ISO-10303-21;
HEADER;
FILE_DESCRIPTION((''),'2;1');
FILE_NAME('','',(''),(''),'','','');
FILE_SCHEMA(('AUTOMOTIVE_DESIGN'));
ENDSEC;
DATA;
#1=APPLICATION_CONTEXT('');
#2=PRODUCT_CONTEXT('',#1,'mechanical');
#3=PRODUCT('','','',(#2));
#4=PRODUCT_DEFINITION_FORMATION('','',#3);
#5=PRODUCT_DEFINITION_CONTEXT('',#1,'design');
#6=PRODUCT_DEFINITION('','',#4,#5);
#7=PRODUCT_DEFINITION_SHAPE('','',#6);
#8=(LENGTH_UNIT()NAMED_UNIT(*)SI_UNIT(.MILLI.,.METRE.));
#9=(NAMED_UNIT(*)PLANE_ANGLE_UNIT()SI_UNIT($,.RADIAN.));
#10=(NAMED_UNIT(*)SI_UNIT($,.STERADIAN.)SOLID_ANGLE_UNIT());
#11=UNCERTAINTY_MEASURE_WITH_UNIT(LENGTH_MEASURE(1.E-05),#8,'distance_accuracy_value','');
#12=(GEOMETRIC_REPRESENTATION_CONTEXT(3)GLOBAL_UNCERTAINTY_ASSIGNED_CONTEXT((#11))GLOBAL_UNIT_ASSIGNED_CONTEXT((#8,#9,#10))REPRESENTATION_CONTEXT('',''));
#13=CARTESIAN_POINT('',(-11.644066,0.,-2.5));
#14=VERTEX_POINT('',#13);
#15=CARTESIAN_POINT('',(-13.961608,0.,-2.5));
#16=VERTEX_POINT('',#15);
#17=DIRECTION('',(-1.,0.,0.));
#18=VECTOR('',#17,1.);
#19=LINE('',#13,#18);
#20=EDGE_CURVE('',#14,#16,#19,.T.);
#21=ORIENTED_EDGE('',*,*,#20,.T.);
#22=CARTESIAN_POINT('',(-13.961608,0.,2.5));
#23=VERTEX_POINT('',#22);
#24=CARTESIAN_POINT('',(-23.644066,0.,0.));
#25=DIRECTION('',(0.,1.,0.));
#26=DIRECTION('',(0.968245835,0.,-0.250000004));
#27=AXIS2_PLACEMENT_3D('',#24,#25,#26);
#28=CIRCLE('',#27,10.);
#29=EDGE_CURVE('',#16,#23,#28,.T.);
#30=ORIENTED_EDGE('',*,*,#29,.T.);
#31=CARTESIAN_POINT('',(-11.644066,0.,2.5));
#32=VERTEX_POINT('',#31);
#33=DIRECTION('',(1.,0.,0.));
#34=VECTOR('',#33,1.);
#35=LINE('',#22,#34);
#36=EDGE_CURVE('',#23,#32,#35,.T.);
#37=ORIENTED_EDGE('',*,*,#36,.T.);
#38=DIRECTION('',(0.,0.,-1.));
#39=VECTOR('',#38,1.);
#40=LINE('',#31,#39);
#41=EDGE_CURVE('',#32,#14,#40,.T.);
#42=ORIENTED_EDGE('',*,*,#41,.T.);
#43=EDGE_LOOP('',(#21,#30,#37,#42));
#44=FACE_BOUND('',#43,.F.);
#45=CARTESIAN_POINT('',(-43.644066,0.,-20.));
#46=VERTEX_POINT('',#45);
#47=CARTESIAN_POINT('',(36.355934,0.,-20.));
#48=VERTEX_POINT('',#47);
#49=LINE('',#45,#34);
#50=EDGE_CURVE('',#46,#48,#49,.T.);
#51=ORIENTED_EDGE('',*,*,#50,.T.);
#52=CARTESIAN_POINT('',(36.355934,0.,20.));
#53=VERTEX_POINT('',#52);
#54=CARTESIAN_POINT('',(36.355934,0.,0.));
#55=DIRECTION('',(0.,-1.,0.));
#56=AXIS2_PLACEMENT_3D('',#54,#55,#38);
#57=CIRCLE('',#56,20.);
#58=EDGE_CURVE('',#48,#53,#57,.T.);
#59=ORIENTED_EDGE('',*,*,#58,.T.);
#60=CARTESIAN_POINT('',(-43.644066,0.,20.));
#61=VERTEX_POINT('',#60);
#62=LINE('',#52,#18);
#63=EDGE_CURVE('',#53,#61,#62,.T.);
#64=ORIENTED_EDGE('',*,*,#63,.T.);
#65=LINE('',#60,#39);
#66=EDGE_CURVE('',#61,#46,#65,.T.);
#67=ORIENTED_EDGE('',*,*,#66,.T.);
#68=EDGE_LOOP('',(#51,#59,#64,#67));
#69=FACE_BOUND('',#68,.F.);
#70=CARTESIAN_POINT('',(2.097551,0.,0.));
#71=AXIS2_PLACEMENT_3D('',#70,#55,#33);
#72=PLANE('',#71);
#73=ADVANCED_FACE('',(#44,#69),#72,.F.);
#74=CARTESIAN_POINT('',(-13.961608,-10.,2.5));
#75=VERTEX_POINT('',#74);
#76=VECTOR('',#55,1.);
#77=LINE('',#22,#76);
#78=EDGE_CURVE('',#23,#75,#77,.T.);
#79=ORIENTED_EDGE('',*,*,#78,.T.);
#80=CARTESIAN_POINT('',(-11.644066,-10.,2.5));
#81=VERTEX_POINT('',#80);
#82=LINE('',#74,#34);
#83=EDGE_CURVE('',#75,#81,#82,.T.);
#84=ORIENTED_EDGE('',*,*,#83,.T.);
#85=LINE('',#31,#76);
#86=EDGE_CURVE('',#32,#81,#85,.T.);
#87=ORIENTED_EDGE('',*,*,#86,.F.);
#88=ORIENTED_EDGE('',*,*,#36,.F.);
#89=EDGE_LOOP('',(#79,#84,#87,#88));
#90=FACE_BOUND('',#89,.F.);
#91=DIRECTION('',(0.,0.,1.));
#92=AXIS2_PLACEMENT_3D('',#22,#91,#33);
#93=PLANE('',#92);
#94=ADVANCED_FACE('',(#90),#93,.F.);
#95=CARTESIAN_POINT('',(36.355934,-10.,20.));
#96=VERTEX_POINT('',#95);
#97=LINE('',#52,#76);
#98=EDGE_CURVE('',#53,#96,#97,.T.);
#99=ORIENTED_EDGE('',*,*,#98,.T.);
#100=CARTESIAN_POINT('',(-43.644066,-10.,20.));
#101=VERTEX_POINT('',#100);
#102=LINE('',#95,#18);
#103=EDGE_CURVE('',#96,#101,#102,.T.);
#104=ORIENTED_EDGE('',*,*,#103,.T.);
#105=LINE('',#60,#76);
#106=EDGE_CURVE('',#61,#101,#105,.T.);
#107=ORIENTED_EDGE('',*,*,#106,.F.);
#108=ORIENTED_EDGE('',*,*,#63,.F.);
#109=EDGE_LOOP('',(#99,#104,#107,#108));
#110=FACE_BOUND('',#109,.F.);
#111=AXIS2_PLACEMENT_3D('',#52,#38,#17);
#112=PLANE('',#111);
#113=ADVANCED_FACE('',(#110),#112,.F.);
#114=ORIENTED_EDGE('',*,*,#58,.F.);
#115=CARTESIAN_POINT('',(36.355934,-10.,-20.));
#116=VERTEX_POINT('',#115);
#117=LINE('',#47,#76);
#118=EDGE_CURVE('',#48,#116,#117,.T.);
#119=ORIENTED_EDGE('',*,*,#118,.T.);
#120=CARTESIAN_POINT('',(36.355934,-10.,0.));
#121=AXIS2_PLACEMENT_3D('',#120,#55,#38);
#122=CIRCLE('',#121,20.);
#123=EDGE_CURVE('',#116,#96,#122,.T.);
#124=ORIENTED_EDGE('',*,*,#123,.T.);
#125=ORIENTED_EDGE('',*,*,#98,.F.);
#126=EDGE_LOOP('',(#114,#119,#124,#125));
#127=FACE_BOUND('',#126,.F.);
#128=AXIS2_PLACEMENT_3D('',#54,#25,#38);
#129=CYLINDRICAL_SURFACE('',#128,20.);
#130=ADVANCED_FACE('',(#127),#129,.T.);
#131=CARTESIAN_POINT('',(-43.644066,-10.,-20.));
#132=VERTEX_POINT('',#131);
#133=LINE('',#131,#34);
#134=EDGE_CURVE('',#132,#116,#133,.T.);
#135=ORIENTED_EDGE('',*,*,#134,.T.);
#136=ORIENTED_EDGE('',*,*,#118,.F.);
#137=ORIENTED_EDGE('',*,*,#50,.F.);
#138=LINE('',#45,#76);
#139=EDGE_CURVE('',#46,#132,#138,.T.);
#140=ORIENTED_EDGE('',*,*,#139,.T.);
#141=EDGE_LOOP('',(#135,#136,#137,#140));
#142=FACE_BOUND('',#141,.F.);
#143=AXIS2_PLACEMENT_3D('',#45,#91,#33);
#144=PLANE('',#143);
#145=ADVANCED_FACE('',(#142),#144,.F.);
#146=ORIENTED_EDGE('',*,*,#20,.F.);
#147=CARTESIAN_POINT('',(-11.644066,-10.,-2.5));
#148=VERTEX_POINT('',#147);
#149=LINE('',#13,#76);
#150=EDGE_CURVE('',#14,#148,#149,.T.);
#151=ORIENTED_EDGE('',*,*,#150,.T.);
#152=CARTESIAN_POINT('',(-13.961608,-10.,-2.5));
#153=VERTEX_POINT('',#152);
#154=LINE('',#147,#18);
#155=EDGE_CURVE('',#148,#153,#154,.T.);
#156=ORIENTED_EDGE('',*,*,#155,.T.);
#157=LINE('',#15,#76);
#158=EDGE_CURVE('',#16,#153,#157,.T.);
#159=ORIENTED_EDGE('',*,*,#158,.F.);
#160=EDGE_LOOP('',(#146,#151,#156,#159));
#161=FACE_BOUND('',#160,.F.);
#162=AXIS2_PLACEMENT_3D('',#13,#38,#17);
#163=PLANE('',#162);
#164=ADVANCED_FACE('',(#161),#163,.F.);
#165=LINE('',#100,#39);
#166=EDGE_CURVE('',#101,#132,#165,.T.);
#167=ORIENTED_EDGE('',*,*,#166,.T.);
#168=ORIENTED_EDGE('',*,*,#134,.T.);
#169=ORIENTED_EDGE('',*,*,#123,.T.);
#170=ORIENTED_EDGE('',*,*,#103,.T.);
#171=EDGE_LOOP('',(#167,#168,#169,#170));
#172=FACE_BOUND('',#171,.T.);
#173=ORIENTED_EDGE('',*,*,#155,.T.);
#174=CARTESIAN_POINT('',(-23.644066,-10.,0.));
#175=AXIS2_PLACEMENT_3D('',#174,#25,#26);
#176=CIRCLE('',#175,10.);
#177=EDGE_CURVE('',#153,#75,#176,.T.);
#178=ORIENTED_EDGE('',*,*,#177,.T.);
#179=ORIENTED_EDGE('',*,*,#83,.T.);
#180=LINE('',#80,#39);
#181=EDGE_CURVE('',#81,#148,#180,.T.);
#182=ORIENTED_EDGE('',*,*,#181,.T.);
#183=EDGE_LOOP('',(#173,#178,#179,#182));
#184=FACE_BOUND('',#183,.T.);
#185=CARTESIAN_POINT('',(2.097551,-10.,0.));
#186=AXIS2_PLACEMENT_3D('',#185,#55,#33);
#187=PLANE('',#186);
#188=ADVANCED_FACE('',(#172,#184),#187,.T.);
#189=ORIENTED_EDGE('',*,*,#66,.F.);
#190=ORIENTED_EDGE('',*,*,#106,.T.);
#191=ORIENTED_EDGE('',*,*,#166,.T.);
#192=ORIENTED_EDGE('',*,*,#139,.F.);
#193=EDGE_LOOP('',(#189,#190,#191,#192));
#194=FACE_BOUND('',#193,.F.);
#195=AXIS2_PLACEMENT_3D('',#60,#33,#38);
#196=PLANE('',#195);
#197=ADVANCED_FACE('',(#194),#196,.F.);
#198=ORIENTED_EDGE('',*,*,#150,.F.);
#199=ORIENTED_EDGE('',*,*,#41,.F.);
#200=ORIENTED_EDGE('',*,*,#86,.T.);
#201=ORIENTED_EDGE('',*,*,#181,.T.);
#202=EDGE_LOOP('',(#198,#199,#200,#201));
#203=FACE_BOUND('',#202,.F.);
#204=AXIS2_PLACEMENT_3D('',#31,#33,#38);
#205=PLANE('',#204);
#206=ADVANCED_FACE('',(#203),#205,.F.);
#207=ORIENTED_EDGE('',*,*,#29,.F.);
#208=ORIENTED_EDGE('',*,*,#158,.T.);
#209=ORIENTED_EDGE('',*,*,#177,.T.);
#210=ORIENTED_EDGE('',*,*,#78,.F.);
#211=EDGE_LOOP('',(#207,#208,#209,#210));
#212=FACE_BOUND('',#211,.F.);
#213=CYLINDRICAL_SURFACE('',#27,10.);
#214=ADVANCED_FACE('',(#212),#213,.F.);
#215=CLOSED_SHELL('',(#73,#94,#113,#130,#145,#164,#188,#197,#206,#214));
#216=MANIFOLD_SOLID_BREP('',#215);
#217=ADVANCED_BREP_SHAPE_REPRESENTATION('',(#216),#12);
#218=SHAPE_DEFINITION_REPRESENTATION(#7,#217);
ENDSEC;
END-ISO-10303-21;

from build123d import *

# Parameters (mm, degrees)
F1_DEPTH = 10


with BuildPart() as f1:
    # F0 (on Front) → F1 (new body)
    with BuildSketch(Plane.XZ):
        with BuildLine():
            Line((36.355934, 20), (-43.644066, 20))
            Line((-43.644066, 20), (-43.644066, -20))
            Line((-43.644066, -20), (36.355934, -20))
            ThreePointArc((36.355934, -20), (56.355934, 0), (36.355934, 20))
        make_face()
        with BuildLine():
            ThreePointArc((-13.961608, -2.5), (-33.644066, 0), (-13.961608, 2.5))
            Line((-13.961608, 2.5), (-11.644066, 2.5))
            Line((-11.644066, 2.5), (-11.644066, -2.5))
            Line((-11.644066, -2.5), (-13.961608, -2.5))
        make_face(mode=Mode.SUBTRACT)
    extrude(amount=F1_DEPTH)


solid = f1.part
